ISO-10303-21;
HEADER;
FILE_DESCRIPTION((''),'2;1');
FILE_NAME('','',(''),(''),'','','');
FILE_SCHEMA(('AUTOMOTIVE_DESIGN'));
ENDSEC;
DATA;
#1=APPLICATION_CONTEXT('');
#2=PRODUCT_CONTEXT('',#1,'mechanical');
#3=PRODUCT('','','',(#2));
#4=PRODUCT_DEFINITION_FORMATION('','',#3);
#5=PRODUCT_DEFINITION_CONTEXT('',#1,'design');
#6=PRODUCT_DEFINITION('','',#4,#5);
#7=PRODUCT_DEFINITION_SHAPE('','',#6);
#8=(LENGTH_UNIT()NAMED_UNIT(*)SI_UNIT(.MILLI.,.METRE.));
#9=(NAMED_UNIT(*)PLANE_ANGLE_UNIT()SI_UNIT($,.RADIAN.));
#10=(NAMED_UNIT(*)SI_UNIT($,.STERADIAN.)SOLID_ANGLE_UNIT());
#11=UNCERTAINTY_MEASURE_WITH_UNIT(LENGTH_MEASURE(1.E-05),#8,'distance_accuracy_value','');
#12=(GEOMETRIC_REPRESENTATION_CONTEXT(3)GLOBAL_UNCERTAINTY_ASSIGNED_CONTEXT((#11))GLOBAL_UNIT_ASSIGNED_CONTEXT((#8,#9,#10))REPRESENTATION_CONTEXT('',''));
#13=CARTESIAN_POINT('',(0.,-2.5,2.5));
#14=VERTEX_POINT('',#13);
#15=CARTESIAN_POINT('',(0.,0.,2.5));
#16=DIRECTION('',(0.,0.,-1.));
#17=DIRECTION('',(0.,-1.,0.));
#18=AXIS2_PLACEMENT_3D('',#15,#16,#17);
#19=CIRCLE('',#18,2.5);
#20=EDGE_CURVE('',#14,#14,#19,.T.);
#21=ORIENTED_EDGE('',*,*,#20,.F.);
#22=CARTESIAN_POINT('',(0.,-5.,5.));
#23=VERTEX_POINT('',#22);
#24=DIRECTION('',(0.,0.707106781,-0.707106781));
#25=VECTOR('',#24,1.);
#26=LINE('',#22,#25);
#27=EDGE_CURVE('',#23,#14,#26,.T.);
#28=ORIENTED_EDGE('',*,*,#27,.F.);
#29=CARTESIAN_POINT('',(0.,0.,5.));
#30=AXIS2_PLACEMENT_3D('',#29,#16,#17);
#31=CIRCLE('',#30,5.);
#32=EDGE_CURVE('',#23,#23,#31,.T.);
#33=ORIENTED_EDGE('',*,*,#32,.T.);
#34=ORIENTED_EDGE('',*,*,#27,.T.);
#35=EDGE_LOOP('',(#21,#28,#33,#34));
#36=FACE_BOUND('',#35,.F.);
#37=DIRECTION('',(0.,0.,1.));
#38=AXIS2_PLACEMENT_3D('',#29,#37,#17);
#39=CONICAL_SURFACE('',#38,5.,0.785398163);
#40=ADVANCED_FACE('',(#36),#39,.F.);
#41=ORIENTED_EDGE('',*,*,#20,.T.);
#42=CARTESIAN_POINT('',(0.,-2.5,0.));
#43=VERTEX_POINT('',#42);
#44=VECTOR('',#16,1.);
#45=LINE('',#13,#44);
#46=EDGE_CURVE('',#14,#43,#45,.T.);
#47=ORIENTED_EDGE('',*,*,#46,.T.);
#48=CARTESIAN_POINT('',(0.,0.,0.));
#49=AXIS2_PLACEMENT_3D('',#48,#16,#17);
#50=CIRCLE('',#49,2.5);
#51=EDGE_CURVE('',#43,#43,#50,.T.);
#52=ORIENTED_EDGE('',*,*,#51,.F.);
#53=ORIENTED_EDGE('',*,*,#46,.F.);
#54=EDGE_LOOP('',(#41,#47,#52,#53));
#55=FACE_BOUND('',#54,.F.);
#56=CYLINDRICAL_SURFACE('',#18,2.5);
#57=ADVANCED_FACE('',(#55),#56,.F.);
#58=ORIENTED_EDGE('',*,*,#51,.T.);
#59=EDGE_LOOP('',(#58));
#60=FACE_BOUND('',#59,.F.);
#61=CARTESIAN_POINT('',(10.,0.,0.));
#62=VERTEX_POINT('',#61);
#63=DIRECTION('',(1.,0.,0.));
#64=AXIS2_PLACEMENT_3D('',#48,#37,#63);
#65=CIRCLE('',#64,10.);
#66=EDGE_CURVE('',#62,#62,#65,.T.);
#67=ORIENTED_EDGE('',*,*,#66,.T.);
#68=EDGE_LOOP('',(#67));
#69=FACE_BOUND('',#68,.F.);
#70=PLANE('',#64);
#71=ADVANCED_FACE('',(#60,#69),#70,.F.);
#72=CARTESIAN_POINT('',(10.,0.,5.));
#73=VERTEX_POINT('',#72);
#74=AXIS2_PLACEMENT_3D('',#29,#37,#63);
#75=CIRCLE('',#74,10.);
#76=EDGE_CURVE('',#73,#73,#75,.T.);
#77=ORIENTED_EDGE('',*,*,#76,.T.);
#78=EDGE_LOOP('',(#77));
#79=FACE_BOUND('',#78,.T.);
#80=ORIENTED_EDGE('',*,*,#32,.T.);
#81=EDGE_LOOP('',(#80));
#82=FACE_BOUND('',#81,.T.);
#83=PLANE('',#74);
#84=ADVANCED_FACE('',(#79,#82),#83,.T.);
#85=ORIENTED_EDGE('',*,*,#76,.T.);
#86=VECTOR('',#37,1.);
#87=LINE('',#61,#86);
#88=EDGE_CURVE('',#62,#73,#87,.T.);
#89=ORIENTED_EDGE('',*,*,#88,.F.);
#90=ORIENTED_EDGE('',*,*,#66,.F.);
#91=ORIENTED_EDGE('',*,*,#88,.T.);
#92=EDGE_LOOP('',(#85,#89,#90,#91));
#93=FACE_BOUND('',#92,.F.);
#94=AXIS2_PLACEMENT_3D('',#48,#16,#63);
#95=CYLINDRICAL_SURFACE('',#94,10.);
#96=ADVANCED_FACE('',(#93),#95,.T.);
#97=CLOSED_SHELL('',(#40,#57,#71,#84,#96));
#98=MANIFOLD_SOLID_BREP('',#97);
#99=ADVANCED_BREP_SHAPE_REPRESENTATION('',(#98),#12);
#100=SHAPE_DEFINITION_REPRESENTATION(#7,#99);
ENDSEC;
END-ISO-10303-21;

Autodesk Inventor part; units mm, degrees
ref_plane "YZ Plane" through (0, 0, 0) normal (1, 0, 0) x (0, 1, 0)
ref_plane "XZ Plane" through (0, 0, 0) normal (0, 1, 0) x (-1, 0, 0)
ref_plane "XY Plane" through (0, 0, 0) normal (0, 0, 1) x (1, 0, 0)
sketch "Sketch1" plane through (0, 0, 0) normal (0, 0, 1) x (1, 0, 0)
  circle A0 centre (0, 0) radius 10
  dimension "d0" = 20
extrude "Plate1" add sketch "Sketch1" along normal blind 5
sketch "Sketch2" plane through (0, 0, 5) normal (0, 0, 1) x (1, 0, 0)
  circle A0 centre (0, 0) radius 1.204
hole "Hole1" at (0, 0, 5) direction (0, 0, -1) diameter 5 end through all countersink diameter 10 countersink angle 90
equation "\"d8\" = Thickness"
equation "\"d2\" = Thickness"
equation "\"TransitionRadius\" = BendRadius"
equation "\"JacobiRadiusSize\" = BendRadius"
equation "\"d1\" = BendRadius"
equation "\"Thickness\" = 5"
equation "\"BendRadius\" = 0.8"
properties part number "XY Metal Slug" material "Steel, Carbon"
